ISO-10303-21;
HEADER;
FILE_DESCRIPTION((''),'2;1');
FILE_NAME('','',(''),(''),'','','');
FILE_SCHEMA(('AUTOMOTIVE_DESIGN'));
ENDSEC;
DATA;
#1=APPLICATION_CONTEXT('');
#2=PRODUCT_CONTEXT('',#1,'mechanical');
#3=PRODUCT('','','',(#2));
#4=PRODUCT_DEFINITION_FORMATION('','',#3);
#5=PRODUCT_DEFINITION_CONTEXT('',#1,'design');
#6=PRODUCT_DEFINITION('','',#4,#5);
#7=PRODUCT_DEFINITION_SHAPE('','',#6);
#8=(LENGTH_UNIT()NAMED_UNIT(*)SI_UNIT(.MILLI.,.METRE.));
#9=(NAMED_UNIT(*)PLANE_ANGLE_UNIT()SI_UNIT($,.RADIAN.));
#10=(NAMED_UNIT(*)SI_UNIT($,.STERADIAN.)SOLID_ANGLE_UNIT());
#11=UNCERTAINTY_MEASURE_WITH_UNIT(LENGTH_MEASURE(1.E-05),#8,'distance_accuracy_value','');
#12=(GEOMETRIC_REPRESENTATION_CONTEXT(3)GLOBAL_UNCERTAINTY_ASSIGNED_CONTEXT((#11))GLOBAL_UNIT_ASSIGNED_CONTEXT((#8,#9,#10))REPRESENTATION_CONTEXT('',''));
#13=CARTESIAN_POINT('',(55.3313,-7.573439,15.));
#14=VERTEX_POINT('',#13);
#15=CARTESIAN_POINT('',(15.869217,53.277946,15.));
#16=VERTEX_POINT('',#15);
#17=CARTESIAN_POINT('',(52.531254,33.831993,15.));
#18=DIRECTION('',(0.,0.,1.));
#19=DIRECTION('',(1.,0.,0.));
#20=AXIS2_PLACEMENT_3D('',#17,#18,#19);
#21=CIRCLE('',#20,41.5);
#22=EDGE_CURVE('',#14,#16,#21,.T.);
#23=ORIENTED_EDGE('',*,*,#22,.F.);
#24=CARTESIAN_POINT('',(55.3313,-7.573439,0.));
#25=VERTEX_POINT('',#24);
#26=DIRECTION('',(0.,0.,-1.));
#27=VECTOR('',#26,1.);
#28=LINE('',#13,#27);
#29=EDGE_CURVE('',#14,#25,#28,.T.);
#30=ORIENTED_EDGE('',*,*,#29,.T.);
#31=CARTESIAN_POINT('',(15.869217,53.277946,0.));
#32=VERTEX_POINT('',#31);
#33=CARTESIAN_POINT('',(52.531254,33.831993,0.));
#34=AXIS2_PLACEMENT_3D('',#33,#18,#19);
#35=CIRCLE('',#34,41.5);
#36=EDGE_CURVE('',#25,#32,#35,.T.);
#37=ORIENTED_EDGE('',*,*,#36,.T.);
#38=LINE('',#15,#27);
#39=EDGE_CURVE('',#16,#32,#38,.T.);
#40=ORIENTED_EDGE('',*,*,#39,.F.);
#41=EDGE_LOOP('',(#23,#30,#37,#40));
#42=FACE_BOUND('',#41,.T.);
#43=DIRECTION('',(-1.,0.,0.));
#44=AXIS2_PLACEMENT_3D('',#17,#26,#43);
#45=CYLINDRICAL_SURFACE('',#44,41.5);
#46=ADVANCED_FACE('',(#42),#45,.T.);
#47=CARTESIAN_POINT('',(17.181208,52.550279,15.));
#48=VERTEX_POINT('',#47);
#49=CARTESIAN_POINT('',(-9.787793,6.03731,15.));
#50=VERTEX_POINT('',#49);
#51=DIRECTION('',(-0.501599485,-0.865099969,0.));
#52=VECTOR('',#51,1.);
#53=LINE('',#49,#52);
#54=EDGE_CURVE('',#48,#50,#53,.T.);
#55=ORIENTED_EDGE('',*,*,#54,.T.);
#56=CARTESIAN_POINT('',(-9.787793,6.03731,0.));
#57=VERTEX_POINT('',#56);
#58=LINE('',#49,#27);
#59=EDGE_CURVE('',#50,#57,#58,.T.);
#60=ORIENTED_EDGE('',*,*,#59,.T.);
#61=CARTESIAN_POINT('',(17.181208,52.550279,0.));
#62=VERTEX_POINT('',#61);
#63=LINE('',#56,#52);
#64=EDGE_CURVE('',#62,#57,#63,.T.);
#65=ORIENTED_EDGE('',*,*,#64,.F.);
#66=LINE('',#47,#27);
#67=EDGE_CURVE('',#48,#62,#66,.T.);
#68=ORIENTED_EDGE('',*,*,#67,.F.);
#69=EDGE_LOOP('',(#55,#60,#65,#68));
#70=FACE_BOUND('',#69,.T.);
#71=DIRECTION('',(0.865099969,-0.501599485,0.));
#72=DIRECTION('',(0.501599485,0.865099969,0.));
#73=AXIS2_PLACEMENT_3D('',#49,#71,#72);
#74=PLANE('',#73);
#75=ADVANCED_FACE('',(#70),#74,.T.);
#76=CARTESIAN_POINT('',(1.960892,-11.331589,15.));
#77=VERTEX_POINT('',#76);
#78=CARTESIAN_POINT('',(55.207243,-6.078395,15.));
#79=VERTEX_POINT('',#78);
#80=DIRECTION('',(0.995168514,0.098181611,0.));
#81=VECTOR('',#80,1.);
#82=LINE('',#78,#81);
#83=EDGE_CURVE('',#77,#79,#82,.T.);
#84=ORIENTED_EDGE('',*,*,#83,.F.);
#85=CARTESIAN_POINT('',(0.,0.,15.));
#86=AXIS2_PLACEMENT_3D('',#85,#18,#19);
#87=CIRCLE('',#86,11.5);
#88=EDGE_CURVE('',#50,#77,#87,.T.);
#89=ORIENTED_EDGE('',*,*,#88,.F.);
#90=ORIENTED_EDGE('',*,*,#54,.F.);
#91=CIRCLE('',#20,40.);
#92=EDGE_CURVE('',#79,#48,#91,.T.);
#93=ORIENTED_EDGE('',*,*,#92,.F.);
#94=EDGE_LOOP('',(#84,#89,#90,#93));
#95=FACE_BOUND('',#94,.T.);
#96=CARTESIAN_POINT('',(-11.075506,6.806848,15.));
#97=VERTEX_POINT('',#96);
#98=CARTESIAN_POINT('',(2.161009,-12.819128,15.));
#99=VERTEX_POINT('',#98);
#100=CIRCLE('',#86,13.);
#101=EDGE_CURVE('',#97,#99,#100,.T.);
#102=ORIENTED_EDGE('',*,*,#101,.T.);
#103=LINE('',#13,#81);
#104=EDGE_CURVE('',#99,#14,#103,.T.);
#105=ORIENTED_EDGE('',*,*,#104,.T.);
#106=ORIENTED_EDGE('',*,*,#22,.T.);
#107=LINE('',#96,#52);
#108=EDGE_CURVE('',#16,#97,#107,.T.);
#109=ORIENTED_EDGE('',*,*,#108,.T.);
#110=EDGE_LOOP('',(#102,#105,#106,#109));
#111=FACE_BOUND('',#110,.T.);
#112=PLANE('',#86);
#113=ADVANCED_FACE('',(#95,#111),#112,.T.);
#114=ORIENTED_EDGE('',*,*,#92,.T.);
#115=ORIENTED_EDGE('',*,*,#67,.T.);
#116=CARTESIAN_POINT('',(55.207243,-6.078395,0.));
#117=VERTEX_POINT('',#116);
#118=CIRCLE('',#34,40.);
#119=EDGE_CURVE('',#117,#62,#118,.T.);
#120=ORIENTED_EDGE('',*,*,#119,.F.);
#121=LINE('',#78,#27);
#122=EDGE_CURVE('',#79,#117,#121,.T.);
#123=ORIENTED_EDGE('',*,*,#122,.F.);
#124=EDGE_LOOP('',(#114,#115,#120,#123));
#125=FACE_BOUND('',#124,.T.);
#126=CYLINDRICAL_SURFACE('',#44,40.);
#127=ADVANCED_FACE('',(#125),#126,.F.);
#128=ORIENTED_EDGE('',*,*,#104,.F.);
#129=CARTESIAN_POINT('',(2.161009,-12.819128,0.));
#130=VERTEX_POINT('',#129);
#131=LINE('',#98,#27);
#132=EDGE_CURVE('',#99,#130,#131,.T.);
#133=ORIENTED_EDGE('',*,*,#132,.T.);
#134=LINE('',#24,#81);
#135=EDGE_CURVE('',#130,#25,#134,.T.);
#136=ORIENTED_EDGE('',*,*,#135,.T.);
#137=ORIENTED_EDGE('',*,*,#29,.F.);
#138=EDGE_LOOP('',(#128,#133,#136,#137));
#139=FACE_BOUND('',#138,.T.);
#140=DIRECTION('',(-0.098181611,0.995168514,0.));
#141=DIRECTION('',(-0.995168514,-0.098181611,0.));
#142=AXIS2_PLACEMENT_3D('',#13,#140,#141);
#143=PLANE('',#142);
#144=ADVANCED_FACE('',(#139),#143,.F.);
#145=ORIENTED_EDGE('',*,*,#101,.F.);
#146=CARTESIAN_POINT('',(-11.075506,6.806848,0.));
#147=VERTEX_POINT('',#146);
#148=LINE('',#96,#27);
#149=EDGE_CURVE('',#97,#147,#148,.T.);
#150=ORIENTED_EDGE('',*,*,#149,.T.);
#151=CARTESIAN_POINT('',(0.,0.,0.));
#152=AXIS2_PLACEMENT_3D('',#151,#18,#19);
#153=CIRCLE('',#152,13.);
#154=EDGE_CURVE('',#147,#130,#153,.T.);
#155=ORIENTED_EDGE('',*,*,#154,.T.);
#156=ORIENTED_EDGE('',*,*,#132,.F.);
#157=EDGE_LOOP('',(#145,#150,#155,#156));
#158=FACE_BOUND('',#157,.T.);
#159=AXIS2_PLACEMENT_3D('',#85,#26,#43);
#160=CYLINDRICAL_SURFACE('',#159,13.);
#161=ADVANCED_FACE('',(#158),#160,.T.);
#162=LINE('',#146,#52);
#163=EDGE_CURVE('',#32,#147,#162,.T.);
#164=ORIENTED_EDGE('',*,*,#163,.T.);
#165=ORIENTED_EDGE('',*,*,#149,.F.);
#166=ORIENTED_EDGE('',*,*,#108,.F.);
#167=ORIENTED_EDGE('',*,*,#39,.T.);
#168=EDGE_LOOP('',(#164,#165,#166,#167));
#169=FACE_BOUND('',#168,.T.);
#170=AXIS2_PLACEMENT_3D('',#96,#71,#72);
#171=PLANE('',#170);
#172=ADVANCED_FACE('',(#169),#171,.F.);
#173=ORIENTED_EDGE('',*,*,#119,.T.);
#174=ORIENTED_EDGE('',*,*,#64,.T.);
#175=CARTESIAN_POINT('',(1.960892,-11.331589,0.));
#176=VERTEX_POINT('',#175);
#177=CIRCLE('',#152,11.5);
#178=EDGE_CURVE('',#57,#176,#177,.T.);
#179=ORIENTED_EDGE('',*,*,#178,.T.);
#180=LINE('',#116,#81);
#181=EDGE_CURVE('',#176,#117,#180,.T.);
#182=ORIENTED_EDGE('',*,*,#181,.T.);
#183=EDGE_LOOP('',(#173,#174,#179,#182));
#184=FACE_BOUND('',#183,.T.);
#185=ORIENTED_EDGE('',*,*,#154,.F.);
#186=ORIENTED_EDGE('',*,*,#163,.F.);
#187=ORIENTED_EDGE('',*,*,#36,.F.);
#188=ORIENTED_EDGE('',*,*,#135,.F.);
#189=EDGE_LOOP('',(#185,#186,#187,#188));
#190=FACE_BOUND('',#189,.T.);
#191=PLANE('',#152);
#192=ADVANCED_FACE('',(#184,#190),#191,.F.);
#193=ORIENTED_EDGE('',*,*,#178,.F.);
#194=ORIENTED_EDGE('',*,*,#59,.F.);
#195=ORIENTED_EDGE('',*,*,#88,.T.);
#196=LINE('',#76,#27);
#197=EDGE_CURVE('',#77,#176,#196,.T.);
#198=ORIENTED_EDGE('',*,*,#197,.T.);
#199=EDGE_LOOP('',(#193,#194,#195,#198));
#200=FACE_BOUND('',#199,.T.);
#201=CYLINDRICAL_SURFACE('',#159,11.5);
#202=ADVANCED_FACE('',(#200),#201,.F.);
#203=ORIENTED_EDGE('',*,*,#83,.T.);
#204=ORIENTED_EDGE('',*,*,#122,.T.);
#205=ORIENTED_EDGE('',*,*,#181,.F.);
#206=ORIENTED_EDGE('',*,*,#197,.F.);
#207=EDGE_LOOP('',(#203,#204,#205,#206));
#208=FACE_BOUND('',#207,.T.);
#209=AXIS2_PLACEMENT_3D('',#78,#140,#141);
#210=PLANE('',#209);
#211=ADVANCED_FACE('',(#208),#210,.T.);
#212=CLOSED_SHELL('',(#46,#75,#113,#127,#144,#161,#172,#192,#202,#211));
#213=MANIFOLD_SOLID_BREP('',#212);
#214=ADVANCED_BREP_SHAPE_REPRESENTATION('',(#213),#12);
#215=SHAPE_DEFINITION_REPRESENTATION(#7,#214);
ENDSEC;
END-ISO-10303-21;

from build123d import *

# Parameters (mm, degrees)
BOSS_EXTRUDE1_DEPTH = 15


with BuildPart() as part:
    # Sketch1 → Boss-Extrude1 (new body)
    with BuildSketch(Plane.XY):
        with BuildLine():
            Line((-11.075505528, 6.806847824), (15.86921707, 53.277945579))
            ThreePointArc((15.86921707, 53.277945579), (87.350520076, 56.412264504), (55.331300302, -7.573438583))
            Line((55.331300302, -7.573438583), (2.161009026, -12.819127895))
            ThreePointArc((2.161009026, -12.819127895), (-10.777838035, -7.268989427), (-11.075505528, 6.806847824))
        make_face()
        with BuildLine():
            Line((-9.787793082, 6.037309548), (17.181207534, 52.550279181))
            ThreePointArc((17.181207534, 52.550279181), (86.090586967, 55.598277106), (55.207243092, -6.07839544))
            Line((55.207243092, -6.07839544), (1.960892298, -11.331588653))
            ThreePointArc((1.960892298, -11.331588653), (-9.525478998, -6.443232873), (-9.787793082, 6.037309548))
        make_face(mode=Mode.SUBTRACT)
    extrude(amount=BOSS_EXTRUDE1_DEPTH)


solid = part.part
